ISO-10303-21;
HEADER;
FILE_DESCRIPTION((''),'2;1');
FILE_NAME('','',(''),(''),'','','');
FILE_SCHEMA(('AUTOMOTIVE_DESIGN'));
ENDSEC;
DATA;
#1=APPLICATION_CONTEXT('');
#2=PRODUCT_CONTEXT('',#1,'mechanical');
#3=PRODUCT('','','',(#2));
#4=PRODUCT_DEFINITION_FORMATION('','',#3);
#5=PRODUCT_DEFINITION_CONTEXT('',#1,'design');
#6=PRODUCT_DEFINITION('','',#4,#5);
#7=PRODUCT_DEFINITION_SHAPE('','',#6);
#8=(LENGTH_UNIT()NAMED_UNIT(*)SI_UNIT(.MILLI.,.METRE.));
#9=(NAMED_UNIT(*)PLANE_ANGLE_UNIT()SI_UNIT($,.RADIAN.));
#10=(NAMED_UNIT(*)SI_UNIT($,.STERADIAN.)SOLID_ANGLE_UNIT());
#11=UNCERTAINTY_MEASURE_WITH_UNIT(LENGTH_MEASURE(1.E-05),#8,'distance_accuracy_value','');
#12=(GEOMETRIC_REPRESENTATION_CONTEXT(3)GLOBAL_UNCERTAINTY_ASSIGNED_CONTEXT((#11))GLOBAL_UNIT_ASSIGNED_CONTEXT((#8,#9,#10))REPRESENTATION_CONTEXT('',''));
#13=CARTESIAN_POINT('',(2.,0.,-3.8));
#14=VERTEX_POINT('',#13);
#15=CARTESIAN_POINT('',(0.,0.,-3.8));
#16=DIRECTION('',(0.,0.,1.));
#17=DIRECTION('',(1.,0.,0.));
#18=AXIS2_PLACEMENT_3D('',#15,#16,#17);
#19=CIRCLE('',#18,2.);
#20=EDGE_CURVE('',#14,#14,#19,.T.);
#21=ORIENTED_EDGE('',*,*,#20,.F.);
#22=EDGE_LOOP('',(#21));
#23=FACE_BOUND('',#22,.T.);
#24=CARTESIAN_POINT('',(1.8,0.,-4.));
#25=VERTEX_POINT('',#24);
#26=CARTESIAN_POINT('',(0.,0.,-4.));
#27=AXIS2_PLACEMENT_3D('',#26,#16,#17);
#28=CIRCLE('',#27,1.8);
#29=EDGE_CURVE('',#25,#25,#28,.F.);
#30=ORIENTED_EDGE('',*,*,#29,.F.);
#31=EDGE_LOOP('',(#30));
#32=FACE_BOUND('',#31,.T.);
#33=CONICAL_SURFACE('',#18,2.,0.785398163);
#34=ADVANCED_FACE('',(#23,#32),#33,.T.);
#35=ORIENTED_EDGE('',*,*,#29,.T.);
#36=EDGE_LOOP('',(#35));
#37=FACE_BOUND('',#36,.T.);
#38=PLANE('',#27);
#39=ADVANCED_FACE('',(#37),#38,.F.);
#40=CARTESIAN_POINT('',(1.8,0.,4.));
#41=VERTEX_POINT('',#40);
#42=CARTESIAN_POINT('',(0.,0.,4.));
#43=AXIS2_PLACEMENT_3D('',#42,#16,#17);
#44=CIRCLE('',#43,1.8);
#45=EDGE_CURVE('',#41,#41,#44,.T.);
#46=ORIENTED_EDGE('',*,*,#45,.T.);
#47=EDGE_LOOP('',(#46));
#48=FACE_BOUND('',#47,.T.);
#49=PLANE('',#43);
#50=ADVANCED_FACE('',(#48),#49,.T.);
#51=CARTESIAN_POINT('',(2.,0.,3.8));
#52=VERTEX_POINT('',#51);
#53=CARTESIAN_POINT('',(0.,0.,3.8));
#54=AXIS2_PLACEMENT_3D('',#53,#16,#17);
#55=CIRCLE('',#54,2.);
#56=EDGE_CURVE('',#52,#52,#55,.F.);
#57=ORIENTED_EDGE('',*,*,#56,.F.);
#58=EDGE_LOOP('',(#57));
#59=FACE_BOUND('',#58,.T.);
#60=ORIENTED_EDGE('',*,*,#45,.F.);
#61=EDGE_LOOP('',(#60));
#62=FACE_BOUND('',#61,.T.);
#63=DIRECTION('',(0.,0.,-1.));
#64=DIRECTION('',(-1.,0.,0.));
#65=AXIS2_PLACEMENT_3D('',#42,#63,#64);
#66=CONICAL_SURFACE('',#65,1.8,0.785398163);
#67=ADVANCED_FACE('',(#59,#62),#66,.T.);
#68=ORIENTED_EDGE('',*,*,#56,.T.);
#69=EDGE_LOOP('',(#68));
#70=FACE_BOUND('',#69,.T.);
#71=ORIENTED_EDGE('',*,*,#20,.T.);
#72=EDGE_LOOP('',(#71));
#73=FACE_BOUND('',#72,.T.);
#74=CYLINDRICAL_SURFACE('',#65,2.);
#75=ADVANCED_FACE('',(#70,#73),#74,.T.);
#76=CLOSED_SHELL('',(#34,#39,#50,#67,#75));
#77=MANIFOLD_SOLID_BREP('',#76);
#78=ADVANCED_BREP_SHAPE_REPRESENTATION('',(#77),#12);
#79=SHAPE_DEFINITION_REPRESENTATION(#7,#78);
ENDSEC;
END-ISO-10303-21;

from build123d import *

# Parameters (mm, degrees)
SKETCH_1_R      = 2
EXTRUDE_1_DEPTH = 4
CHAMFER_1_SIZE  = 0.2


with BuildPart() as part:
    # 草图1 → 凸台-拉伸1 (new, symmetric)
    with BuildSketch(Plane.XY):
        Circle(SKETCH_1_R)
    extrude(amount=EXTRUDE_1_DEPTH, both=True)

    # 倒角1
    chamfer_1_edges = [part.edges().sort_by_distance(p)[0] for p in [
        (-2, 0, -4),
        (-2, 0, 4),
    ]]
    chamfer(chamfer_1_edges, length=CHAMFER_1_SIZE)


solid = part.part
